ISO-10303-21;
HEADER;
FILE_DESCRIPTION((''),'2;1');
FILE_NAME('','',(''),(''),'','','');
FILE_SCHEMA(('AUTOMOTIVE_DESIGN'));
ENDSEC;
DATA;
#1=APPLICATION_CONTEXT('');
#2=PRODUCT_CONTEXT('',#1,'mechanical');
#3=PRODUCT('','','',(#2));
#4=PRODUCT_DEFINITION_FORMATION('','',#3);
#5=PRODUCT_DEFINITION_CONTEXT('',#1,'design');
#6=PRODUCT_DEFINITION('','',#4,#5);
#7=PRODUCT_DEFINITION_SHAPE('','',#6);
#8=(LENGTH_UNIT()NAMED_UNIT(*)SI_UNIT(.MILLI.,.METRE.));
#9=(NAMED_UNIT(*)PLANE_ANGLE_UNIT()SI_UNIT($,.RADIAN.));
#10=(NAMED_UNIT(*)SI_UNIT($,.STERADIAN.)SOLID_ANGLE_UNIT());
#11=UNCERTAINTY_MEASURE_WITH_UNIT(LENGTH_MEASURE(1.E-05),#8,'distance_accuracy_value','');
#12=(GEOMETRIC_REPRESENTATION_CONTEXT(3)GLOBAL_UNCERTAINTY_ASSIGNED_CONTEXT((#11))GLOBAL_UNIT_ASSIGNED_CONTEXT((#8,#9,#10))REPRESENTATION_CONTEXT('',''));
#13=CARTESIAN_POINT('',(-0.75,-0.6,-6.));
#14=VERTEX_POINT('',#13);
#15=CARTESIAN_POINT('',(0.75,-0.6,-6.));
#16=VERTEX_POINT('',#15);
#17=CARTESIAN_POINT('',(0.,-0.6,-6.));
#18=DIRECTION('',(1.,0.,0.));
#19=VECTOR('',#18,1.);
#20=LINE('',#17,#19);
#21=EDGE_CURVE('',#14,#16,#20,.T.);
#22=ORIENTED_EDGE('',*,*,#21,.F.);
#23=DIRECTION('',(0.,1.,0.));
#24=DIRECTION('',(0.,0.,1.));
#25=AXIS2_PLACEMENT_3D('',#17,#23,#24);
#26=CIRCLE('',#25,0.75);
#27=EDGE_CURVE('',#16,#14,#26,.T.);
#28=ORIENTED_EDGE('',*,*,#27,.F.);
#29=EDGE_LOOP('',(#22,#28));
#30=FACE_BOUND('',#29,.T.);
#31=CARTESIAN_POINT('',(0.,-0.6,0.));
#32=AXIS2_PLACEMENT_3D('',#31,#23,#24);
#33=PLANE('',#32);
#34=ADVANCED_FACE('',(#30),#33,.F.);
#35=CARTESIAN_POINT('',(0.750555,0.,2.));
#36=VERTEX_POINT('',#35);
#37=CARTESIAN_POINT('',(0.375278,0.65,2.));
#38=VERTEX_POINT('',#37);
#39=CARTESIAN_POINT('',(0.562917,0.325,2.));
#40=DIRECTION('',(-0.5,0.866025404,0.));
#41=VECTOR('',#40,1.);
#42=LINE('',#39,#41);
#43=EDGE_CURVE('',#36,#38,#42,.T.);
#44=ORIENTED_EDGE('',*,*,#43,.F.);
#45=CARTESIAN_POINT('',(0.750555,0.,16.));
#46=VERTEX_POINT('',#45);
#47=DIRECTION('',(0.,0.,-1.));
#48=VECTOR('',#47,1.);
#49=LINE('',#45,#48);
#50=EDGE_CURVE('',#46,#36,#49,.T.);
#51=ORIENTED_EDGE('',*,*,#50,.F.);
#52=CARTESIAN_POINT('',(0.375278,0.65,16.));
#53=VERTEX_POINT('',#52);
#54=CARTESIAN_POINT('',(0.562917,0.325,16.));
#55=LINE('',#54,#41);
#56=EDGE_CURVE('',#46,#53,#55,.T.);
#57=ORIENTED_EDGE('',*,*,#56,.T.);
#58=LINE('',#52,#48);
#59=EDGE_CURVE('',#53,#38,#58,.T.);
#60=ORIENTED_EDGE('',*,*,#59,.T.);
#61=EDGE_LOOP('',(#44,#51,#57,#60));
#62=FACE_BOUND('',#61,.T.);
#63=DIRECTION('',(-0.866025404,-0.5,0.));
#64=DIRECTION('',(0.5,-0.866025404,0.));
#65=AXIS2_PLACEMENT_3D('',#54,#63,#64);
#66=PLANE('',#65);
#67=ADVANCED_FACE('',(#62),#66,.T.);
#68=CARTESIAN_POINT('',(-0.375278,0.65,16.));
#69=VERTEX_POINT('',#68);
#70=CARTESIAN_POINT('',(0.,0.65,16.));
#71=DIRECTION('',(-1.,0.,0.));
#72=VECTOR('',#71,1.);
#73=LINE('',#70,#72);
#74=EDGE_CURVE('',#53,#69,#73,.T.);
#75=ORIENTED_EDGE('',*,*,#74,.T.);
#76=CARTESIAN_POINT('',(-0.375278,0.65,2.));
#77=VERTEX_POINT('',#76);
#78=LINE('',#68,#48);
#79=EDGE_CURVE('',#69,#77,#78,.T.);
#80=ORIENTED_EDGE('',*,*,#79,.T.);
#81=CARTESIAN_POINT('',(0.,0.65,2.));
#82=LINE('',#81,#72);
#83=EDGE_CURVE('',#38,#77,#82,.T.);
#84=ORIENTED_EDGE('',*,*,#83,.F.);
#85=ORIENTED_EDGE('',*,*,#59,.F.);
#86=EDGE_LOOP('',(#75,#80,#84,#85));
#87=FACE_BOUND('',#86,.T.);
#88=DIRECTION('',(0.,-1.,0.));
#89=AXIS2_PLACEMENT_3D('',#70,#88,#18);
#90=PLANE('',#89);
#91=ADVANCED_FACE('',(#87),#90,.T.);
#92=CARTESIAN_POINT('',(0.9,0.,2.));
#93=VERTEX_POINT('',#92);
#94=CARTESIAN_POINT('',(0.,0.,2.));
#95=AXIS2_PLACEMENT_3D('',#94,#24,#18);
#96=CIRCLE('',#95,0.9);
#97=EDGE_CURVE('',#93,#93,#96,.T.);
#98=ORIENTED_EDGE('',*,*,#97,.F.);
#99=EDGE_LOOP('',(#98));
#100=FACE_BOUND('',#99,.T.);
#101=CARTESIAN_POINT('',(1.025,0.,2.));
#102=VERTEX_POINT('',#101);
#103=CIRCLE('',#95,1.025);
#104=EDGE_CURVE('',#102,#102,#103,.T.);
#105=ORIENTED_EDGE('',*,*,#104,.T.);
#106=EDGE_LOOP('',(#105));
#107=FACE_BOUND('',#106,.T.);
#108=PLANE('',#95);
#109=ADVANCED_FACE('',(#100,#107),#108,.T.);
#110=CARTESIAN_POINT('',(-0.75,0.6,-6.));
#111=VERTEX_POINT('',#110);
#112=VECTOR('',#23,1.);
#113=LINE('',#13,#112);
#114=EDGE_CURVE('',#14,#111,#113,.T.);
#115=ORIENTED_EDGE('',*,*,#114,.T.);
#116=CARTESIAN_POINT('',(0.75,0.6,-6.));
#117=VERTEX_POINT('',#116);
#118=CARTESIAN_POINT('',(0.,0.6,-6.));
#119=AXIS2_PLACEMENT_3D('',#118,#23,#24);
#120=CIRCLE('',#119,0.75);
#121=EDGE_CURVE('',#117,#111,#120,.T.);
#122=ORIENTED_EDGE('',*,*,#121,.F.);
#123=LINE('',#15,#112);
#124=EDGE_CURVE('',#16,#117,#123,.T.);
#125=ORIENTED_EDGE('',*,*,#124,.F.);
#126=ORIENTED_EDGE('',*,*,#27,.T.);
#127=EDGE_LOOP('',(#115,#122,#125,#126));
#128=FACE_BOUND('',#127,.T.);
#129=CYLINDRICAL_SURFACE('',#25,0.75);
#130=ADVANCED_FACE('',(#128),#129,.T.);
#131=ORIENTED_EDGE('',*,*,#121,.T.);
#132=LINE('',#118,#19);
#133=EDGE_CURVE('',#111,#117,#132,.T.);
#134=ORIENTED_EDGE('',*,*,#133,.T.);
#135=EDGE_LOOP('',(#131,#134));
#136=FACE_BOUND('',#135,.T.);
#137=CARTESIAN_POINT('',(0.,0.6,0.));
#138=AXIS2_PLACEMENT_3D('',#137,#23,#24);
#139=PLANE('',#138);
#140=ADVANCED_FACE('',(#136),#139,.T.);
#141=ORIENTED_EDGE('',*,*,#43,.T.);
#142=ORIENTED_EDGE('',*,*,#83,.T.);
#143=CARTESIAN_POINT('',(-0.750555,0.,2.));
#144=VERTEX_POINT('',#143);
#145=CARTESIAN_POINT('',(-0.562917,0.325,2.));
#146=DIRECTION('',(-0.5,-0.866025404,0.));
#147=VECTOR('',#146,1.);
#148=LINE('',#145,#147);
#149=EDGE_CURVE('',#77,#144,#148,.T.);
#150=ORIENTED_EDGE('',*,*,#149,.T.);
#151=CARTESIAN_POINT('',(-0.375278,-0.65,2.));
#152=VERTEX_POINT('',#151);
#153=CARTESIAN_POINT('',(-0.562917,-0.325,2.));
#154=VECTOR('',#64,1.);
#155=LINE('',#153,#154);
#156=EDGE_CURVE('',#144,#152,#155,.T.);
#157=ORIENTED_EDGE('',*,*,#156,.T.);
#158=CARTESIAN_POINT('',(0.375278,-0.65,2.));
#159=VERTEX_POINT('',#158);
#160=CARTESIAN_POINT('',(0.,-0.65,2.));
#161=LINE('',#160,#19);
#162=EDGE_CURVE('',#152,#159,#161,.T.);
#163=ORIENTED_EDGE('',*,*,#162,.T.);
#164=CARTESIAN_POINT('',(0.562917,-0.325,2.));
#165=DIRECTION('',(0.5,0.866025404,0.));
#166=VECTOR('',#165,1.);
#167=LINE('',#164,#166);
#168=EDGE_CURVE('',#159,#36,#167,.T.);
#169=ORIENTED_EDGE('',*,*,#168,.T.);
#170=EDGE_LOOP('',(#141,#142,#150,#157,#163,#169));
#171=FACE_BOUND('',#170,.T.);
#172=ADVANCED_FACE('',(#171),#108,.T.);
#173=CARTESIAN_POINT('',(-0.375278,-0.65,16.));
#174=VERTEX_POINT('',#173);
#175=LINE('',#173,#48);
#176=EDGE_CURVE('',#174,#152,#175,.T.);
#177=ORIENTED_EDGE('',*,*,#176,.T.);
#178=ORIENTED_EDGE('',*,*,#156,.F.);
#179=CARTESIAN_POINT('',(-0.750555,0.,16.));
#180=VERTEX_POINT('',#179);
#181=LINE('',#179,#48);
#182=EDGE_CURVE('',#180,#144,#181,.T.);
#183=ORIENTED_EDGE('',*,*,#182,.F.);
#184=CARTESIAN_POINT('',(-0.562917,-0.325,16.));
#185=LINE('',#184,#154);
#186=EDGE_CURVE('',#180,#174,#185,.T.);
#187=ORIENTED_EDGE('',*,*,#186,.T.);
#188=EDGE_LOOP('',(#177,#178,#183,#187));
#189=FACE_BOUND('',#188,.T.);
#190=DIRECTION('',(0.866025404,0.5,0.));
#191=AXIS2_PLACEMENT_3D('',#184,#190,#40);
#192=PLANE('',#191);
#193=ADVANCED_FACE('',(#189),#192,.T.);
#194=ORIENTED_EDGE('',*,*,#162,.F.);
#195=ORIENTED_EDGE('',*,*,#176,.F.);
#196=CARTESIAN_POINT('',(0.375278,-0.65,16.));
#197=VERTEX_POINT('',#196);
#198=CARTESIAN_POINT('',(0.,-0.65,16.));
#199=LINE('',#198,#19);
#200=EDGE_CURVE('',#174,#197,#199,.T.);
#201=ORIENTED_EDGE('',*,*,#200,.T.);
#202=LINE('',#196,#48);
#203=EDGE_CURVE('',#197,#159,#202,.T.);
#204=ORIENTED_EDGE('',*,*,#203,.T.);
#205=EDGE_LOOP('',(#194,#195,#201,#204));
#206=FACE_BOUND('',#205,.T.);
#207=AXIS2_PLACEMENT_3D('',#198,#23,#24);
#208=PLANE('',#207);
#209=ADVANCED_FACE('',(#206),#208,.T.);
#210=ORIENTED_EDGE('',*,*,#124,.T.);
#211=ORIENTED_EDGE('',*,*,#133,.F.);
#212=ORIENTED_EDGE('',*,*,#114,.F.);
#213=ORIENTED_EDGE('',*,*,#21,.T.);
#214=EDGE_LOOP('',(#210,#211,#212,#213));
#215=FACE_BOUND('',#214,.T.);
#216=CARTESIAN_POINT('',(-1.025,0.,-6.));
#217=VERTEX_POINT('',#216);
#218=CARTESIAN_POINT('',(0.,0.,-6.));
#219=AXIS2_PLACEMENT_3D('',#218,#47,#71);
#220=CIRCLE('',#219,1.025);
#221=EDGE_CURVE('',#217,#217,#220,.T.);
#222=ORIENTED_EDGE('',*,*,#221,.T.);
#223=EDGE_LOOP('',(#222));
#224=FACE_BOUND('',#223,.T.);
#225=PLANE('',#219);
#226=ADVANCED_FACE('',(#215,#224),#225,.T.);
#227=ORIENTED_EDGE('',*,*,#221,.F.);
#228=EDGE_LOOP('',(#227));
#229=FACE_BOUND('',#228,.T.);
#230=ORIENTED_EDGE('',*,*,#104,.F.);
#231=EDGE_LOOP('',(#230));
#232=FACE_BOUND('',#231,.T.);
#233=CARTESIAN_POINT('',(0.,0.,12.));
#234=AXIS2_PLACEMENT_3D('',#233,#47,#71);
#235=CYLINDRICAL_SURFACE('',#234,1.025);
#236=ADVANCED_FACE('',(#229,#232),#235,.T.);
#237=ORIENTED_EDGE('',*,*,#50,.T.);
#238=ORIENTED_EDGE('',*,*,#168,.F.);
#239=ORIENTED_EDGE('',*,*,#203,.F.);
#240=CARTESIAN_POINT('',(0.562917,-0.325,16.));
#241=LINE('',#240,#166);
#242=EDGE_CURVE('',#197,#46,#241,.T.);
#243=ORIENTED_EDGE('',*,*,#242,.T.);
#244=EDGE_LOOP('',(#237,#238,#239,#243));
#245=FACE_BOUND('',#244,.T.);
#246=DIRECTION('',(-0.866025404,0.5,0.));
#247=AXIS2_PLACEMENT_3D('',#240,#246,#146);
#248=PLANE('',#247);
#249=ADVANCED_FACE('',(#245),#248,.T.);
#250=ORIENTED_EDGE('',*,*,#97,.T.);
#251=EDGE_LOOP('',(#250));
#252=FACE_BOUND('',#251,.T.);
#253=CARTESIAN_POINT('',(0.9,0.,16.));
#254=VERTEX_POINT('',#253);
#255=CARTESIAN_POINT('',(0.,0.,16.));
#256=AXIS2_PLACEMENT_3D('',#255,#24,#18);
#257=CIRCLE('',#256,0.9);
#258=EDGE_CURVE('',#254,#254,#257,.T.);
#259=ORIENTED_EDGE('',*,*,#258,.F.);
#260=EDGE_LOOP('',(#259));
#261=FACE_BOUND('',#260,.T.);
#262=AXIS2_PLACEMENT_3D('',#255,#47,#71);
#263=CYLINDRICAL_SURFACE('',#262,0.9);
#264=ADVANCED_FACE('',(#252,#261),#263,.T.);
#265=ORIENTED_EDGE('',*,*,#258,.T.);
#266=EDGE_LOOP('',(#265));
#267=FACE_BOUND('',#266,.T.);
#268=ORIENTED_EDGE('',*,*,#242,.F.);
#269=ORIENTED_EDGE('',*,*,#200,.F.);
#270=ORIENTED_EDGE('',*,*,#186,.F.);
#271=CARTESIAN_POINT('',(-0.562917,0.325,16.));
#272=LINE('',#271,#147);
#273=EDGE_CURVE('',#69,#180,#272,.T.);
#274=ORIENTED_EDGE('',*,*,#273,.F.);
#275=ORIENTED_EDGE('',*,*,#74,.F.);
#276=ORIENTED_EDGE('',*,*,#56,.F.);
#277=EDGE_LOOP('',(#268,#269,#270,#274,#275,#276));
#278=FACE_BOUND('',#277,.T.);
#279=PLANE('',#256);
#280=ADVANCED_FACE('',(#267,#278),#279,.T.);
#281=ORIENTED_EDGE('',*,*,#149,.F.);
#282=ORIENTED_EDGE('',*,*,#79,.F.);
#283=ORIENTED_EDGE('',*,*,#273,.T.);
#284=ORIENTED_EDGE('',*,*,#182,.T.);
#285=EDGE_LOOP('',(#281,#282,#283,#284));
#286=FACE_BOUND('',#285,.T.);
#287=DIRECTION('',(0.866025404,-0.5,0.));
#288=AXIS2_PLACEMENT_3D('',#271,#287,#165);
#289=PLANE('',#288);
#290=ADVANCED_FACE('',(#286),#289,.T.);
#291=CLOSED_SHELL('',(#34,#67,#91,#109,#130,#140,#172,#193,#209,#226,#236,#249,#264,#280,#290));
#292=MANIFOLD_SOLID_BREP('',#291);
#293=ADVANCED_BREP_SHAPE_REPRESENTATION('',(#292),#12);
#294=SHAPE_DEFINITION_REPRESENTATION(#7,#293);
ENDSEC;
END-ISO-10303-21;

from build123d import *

# Parameters (mm, degrees)
SKETCH1_R                = 1.025
BOSS_EXTRUDE1_DEPTH      = 12
CUT_EXTRUDE1_DEPTH       = 7
BOSS_EXTRUDE2_START      = 4
SKETCH3_R                = 1.025
BOSS_EXTRUDE2_DEPTH      = 4
SKETCH6_R                = 1.025
BOSS_EXTRUDE5_DEPTH      = 7
BOSS_EXTRUDE6_START      = 2
SKETCH7_R                = 1.025
BOSS_EXTRUDE6_DEPTH      = 2
BOSS_EXTRUDE8_DEPTH      = 0.6
BOSS_EXTRUDE8_DEPTH_BACK = 0.6
CUT_EXTRUDE3_START       = -17
SKETCH9_R                = 1.025
CUT_EXTRUDE3_DEPTH       = 17
SKETCH10_R               = 0.9
BOSS_EXTRUDE12_DEPTH     = 14


with BuildPart() as part:
    # Sketch1 → Boss-Extrude1 (new body)
    with BuildSketch(Plane.XY):
        Circle(SKETCH1_R)
    extrude(amount=BOSS_EXTRUDE1_DEPTH)

    # Sketch2 → Cut-Extrude1 (cut)
    with BuildSketch(Plane.XY.offset(12)):
        Polygon((0.866025404, 0), (0.433012702, 0.75), (-0.433012702, 0.75), (-0.866025404, 0), (-0.433012702, -0.75), (0.433012702, -0.75), align=None)
    extrude(amount=-CUT_EXTRUDE1_DEPTH, mode=Mode.SUBTRACT)

    # Sketch3 → Boss-Extrude2 (add)
    with BuildSketch(Plane(origin=(0, 0, 0), x_dir=(-1, 0, 0), z_dir=(0, 0, -1)).offset(BOSS_EXTRUDE2_START)):
        Circle(SKETCH3_R)
    extrude(amount=-BOSS_EXTRUDE2_DEPTH)

    # Sketch6 → Boss-Extrude5 (add)
    with BuildSketch(Plane.XY.offset(12)):
        with Locations(Location((0, 0, 0), (0, 0, 180))):
            Circle(SKETCH6_R)
        Polygon((0.866025404, 0), (0.433012702, 0.75), (-0.433012702, 0.75), (-0.866025404, 0), (-0.433012702, -0.75), (0.433012702, -0.75), align=None, mode=Mode.SUBTRACT)
    extrude(amount=BOSS_EXTRUDE5_DEPTH)

    # Sketch7 → Boss-Extrude6 (add)
    with BuildSketch(Plane(origin=(0, 0, -4), x_dir=(-1, 0, 0), z_dir=(0, 0, -1)).offset(BOSS_EXTRUDE6_START)):
        Circle(SKETCH7_R)
    extrude(amount=-BOSS_EXTRUDE6_DEPTH)

    # Sketch8 → Boss-Extrude8 (add, two sides: drawn at the far end of the back side and taken through both)
    with BuildSketch(Plane(origin=(0, 0, 0), x_dir=(1, 0, 0), z_dir=(0, 1, 0)).offset(-BOSS_EXTRUDE8_DEPTH_BACK)):
        with BuildLine():
            ThreePointArc((0.75, 6), (0, 6.75), (-0.75, 6))
            Line((-0.75, 6), (0.75, 6))
        make_face()
        with BuildLine():
            Line((0.75, 6), (-0.75, 6))
            ThreePointArc((-0.75, 6), (0, 5.25), (0.75, 6))
        make_face()
    extrude(amount=BOSS_EXTRUDE8_DEPTH + BOSS_EXTRUDE8_DEPTH_BACK)

    # Sketch9 → Cut-Extrude3 (cut)
    with BuildSketch(Plane.XY.offset(19).offset(CUT_EXTRUDE3_START)):
        with Locations(Location((0, 0, 0), (0, 0, 180))):
            Circle(SKETCH9_R)
    extrude(amount=CUT_EXTRUDE3_DEPTH, mode=Mode.SUBTRACT)

    # Sketch10 → Boss-Extrude12 (add)
    with BuildSketch(Plane.XY.offset(2)):
        Circle(SKETCH10_R)
        Polygon((0.75055535, 0), (0.375277675, 0.65), (-0.375277675, 0.65), (-0.75055535, 0), (-0.375277675, -0.65), (0.375277675, -0.65), align=None, mode=Mode.SUBTRACT)
    extrude(amount=BOSS_EXTRUDE12_DEPTH)


solid = part.part
